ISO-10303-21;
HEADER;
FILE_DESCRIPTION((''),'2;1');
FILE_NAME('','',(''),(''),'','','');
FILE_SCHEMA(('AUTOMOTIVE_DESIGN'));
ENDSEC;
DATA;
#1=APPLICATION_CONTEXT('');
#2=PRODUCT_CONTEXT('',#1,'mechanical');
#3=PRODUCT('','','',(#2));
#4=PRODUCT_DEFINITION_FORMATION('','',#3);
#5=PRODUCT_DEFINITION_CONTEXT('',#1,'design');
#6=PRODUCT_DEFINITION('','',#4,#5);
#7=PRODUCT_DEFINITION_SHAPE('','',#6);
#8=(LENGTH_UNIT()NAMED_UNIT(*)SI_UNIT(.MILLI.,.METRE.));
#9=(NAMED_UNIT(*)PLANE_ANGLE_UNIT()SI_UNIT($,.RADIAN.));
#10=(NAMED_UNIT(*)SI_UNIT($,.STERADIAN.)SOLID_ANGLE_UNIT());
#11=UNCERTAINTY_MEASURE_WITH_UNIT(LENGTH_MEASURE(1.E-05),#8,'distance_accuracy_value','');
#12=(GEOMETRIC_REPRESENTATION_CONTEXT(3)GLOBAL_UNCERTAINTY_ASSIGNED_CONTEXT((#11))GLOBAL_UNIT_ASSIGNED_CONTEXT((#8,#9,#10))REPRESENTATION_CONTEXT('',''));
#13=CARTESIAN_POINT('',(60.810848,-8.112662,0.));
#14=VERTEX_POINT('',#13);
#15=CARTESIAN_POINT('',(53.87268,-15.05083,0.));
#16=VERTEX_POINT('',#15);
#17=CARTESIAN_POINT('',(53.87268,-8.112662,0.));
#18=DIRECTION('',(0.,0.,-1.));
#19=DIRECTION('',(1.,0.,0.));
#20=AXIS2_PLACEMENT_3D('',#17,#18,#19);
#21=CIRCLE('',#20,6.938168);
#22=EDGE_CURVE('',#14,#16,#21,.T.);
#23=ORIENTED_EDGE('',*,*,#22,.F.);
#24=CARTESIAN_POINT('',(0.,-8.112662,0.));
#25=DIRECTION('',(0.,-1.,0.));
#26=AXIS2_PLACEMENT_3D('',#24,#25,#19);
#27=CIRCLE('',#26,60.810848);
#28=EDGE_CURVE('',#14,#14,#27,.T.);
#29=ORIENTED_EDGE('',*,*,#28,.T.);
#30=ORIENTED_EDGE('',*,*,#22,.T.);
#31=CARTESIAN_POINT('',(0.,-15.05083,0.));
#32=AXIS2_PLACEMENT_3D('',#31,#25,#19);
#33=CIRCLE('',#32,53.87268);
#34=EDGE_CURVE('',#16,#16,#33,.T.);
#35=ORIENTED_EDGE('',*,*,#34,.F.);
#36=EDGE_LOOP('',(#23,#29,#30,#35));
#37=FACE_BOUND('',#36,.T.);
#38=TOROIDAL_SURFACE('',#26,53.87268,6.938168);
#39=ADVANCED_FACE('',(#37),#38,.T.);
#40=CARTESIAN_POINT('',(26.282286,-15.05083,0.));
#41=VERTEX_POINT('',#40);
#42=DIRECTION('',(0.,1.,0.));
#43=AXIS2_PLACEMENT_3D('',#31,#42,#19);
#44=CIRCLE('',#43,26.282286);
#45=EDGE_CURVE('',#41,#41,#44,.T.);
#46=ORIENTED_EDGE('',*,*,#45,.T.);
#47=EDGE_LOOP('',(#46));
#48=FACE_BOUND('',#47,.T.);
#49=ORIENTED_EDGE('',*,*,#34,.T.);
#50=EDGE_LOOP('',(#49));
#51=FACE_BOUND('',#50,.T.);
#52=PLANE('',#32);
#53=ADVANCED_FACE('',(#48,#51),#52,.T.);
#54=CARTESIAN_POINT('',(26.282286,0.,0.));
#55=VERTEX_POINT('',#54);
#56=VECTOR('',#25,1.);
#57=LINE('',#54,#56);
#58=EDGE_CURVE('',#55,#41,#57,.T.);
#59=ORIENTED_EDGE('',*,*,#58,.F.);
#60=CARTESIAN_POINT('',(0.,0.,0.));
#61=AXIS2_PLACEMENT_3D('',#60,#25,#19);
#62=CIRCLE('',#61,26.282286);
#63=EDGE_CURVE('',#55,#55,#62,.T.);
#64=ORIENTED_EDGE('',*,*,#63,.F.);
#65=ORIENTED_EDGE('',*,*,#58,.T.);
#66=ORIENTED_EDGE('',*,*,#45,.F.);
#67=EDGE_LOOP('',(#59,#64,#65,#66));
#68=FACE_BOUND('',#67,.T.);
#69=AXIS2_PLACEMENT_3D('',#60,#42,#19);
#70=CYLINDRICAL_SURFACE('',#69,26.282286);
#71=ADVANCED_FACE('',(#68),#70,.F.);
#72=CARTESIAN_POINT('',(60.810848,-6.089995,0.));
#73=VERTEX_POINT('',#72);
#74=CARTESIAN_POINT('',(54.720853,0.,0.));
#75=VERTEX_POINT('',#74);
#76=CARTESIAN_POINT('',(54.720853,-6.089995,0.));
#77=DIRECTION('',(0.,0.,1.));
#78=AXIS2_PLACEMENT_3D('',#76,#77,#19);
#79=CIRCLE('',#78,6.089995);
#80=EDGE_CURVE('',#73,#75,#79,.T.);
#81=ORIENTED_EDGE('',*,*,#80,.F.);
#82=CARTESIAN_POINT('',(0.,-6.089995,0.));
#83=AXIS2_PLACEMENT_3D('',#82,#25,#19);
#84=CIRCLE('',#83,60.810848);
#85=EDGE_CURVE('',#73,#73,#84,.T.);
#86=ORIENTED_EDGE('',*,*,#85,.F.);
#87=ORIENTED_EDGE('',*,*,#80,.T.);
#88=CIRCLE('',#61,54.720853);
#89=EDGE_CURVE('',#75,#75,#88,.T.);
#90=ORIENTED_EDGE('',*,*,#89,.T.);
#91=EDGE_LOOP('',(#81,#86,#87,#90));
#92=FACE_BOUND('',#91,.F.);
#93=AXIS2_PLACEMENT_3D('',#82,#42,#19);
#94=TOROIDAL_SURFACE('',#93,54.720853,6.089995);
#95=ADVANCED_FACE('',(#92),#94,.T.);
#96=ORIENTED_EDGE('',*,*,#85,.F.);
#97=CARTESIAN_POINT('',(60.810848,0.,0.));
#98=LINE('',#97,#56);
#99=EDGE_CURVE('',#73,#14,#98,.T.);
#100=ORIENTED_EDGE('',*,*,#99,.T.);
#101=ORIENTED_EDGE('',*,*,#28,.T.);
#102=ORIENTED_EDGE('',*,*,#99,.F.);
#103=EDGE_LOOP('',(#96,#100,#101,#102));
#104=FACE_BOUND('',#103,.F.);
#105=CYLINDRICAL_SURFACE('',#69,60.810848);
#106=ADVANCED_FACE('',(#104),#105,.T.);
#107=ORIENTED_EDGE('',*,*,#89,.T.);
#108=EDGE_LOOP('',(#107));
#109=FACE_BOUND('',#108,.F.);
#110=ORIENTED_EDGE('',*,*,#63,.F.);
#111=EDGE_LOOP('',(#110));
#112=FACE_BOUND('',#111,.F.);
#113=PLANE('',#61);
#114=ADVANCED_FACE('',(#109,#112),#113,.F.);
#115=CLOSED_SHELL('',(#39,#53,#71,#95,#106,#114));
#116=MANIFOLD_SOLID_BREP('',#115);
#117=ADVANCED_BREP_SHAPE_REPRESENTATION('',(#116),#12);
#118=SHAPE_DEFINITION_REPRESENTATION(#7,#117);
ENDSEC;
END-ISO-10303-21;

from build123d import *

# Parameters (mm, degrees)
F1_R     = 60.8108481728
F3_DEPTH = 15.0508303195
F4_R     = 26.2822858087
F5_DEPTH = 160.9226148576
F6_R     = 6.0899953587
F7_R     = 6.9381681598


with BuildPart() as f3:
    # F1 (on face) → F3 (new body)
    with BuildSketch(Plane.XZ):
        Circle(F1_R)
    extrude(amount=F3_DEPTH)

    # F4 (on face) → F5 (cut)
    with BuildSketch(Plane.XZ):
        Circle(F4_R)
    extrude(amount=F5_DEPTH, mode=Mode.SUBTRACT)

    # F6
    f6_edges = [f3.edges().sort_by_distance(p)[0] for p in [
        (-60.810848, 0, 0),
    ]]
    fillet(f6_edges, radius=F6_R)

    # F7
    f7_edges = [f3.edges().sort_by_distance(p)[0] for p in [
        (-60.810848, -15.05083, 0),
    ]]
    fillet(f7_edges, radius=F7_R)


solid = f3.part
